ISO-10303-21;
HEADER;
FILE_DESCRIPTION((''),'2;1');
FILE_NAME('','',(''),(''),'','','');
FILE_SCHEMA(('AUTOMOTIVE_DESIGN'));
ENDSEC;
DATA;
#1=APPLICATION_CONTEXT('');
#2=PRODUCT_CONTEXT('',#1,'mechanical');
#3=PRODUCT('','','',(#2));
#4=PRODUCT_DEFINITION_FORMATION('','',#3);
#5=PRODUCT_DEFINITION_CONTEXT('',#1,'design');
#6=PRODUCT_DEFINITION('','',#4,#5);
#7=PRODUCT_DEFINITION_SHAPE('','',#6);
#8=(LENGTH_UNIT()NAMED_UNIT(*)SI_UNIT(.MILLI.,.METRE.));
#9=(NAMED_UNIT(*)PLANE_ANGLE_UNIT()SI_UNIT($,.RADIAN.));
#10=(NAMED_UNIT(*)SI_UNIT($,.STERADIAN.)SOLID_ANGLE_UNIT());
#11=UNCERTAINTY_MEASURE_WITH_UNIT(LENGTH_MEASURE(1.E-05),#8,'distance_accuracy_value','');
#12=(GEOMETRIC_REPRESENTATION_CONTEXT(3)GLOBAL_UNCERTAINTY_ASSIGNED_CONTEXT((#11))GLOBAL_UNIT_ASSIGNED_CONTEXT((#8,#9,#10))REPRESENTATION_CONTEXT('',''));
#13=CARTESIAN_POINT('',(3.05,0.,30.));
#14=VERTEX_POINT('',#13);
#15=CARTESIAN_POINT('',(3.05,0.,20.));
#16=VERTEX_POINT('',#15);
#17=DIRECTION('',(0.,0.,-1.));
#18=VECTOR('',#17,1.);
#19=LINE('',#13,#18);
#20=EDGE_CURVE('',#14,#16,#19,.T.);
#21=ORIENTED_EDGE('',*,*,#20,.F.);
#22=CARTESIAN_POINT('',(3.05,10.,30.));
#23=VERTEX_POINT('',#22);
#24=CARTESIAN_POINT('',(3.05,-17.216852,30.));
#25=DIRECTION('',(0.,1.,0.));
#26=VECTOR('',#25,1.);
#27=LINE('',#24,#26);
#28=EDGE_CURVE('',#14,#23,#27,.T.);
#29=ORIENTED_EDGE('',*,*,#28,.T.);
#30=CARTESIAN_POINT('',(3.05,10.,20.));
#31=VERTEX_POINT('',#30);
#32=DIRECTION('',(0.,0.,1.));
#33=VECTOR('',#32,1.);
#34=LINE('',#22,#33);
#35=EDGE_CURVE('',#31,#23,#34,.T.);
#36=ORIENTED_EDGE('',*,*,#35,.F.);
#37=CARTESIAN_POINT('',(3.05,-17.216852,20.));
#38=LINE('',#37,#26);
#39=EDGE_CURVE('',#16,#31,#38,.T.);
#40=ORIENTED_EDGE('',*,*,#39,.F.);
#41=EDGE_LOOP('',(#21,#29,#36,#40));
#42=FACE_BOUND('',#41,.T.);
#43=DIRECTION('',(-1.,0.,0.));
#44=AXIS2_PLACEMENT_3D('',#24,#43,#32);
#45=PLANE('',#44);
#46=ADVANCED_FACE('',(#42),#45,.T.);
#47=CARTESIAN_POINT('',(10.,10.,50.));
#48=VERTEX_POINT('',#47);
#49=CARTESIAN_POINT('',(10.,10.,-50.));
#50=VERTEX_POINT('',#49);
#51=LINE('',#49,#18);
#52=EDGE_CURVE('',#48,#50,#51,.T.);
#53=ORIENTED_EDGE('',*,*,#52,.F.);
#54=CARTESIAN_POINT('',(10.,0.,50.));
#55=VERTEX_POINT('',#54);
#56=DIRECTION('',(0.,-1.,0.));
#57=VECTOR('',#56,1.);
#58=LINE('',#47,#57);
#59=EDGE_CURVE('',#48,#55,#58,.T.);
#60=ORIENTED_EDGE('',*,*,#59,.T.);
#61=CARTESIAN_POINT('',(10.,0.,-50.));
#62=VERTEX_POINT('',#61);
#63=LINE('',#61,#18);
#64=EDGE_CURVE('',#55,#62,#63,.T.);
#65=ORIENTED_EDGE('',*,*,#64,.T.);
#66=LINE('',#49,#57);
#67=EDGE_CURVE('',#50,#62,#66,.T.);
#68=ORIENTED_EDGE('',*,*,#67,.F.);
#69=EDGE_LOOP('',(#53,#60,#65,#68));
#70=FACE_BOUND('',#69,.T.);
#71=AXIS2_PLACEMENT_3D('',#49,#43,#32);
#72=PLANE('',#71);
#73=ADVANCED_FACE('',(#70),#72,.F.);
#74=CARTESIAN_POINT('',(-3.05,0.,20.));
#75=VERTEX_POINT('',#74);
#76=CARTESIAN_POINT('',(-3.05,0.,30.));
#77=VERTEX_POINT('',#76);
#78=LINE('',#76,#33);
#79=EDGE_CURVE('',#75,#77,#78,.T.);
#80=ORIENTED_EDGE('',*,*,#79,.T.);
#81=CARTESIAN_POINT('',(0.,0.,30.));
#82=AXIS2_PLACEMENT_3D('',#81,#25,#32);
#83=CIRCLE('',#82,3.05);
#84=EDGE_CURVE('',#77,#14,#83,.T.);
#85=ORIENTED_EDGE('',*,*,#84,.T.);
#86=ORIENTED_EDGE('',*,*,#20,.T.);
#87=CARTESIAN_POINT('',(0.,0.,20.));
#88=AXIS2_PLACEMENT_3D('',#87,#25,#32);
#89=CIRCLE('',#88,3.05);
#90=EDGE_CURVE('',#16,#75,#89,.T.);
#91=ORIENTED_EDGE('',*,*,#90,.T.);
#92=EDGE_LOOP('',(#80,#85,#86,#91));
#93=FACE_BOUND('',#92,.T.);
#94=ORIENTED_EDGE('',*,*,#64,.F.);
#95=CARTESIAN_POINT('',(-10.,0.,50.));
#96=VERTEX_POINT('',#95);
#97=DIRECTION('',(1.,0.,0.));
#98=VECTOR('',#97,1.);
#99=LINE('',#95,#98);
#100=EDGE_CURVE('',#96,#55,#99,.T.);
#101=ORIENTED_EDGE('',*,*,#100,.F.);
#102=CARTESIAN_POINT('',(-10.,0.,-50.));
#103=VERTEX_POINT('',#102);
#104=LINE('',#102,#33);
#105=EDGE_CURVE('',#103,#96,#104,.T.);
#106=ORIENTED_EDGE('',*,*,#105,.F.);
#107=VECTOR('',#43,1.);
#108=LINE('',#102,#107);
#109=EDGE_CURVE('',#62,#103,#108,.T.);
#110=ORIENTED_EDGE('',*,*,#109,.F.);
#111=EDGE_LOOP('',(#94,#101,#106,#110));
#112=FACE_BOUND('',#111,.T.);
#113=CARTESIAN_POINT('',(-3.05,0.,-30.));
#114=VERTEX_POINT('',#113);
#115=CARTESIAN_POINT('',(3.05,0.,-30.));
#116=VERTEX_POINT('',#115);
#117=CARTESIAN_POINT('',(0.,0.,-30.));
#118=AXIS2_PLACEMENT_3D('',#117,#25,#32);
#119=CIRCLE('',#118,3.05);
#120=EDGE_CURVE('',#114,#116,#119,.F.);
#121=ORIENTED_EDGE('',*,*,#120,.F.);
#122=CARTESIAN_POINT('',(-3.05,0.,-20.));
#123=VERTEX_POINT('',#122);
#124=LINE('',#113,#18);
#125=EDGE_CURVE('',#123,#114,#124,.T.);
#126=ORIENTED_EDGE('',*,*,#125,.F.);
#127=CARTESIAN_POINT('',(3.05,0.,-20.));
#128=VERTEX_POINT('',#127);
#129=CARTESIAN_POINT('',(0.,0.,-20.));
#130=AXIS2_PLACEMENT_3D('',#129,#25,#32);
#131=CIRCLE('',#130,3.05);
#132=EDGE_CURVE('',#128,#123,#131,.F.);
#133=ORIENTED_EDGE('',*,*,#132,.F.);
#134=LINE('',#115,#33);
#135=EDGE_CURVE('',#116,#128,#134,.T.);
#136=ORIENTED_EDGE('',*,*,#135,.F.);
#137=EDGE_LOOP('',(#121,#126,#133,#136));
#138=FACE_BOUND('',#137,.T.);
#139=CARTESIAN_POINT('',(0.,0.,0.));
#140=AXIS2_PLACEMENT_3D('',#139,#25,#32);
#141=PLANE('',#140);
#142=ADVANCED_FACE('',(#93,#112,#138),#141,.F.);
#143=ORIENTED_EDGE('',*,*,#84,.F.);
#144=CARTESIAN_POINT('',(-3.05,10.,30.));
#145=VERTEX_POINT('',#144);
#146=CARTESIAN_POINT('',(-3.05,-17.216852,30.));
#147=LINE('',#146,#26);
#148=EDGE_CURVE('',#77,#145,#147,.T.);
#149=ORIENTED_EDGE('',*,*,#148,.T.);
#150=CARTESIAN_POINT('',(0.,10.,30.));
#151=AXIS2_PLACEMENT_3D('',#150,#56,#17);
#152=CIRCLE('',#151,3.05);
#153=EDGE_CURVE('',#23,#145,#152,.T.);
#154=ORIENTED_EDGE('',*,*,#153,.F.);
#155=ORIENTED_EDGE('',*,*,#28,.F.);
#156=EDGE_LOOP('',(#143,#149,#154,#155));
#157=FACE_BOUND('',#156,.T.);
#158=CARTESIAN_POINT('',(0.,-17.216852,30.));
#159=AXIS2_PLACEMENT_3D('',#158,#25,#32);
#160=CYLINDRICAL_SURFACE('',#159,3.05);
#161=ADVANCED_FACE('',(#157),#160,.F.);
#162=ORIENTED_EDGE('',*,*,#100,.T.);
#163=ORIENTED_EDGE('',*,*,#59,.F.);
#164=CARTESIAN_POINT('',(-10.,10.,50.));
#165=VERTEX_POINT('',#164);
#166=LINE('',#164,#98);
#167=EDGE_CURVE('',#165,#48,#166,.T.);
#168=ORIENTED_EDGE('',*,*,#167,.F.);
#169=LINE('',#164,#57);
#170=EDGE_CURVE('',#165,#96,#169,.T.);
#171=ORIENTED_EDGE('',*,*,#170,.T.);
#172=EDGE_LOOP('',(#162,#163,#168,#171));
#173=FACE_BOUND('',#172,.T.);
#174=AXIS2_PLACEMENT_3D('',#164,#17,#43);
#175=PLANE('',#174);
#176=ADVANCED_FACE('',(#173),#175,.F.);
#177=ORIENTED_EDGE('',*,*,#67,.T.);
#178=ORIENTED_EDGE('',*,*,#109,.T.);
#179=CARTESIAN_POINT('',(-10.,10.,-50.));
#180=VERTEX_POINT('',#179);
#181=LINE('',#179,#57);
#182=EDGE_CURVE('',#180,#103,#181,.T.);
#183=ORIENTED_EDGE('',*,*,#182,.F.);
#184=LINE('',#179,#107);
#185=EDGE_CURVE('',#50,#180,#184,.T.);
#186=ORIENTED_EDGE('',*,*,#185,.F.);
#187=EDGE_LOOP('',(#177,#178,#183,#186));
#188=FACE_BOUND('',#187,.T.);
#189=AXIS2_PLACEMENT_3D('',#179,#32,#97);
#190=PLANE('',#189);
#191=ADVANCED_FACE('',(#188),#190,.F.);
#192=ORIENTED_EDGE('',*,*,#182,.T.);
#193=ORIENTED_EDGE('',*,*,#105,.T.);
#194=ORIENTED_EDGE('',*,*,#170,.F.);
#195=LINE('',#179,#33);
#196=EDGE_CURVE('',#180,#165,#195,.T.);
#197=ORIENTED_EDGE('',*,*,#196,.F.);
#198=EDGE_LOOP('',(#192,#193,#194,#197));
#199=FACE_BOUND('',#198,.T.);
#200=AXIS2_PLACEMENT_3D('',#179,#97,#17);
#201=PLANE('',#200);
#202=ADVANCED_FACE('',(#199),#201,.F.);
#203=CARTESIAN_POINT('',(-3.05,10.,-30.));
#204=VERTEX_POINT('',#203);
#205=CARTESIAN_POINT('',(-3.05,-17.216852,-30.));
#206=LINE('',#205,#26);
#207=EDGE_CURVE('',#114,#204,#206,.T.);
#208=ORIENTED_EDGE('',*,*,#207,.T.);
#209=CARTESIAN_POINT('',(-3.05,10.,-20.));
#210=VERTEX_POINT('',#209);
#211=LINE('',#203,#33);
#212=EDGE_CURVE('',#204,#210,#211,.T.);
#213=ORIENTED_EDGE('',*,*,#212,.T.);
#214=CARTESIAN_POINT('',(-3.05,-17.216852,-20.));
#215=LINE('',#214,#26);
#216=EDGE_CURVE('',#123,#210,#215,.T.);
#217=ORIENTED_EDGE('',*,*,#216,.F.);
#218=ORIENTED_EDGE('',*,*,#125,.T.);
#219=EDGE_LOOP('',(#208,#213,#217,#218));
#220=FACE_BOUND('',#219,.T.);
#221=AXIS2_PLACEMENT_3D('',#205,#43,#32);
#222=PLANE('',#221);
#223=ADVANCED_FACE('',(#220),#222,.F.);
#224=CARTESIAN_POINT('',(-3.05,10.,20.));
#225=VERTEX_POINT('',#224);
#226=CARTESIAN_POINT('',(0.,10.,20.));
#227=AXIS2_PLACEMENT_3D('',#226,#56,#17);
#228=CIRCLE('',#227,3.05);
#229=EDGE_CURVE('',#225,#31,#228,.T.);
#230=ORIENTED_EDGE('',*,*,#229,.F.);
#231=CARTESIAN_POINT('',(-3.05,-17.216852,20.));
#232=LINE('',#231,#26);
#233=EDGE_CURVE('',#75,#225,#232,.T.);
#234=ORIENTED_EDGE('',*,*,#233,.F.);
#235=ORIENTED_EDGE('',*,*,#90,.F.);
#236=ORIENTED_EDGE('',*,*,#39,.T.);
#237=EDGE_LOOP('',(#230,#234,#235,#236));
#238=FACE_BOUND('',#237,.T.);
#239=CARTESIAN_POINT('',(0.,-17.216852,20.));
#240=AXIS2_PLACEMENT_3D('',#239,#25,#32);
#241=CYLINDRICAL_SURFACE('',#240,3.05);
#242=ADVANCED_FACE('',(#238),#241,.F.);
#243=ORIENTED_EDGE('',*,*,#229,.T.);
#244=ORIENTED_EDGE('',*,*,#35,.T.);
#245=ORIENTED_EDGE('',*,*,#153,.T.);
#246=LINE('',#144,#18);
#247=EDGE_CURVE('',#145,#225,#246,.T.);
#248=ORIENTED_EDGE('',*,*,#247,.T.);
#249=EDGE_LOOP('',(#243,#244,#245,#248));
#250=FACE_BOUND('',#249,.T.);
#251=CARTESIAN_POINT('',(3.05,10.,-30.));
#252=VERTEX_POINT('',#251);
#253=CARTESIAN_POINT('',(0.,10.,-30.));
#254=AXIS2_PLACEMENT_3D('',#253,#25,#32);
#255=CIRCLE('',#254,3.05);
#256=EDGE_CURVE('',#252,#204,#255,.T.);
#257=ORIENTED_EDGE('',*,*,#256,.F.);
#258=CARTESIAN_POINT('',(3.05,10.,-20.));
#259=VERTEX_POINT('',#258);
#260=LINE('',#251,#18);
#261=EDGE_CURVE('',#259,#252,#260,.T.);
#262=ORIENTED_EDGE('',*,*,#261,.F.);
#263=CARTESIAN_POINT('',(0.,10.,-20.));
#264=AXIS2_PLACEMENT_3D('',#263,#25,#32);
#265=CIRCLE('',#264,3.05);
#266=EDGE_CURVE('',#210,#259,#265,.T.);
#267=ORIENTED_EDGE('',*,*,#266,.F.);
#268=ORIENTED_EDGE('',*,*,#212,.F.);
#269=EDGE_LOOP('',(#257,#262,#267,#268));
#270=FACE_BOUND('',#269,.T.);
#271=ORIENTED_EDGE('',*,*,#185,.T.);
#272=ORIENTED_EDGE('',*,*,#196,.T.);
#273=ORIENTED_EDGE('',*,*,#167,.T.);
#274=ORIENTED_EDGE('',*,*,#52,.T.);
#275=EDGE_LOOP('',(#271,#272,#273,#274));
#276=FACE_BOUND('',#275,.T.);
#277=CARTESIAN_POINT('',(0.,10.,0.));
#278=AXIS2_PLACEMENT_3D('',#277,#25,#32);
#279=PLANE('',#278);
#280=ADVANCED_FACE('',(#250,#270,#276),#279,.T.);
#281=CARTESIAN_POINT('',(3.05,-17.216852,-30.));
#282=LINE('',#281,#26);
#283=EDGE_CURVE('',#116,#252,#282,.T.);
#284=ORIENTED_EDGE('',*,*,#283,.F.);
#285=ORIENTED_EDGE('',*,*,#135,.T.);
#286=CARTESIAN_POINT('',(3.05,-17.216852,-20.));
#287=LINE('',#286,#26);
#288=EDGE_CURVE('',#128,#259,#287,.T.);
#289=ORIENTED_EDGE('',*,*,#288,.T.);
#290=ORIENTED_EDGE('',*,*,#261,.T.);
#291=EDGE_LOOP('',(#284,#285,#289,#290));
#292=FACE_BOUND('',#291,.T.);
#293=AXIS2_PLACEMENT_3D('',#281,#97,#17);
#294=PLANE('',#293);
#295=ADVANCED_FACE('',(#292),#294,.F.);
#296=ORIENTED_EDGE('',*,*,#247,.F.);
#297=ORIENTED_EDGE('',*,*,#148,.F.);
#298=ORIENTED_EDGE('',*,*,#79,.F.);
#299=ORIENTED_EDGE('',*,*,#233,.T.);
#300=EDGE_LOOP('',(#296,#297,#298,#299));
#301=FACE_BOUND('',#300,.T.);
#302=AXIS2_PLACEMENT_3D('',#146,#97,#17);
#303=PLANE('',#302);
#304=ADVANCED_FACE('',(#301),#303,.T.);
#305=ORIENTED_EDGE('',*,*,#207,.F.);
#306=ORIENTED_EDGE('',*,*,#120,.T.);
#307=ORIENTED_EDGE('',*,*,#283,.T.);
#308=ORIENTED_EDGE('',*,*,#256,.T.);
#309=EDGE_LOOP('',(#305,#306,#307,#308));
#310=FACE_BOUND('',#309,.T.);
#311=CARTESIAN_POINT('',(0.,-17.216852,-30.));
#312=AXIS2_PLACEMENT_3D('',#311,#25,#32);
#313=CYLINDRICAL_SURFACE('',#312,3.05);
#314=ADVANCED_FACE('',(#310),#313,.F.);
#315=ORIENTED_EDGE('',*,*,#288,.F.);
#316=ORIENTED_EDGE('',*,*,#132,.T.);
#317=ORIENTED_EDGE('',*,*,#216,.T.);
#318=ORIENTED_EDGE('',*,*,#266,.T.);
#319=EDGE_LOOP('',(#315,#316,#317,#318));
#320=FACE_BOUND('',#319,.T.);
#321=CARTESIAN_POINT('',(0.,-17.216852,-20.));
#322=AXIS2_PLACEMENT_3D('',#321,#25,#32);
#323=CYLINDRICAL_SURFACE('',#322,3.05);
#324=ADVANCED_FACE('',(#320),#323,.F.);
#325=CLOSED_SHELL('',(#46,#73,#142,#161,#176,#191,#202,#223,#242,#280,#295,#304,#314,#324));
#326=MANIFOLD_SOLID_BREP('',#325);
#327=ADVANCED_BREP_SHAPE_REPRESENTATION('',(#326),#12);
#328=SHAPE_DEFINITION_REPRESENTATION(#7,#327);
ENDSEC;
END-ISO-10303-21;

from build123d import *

# Parameters (mm, degrees)
SKETCH1_W           = 20
SKETCH1_H           = 100
BOSS_EXTRUDE1_DEPTH = 10
CUT_EXTRUDE1_DEPTH  = 10


with BuildPart() as part:
    # Sketch1 → Boss-Extrude1 (new body)
    with BuildSketch(Plane(origin=(0, 0, 0), x_dir=(1, 0, 0), z_dir=(0, 1, 0))):
        Rectangle(SKETCH1_W, SKETCH1_H)
    extrude(amount=BOSS_EXTRUDE1_DEPTH)

    # Sketch2 → Cut-Extrude1 (cut)
    with BuildSketch(Plane(origin=(0, 10, 0), x_dir=(1, 0, 0), z_dir=(0, 1, 0))):
        with BuildLine():
            Line((3.05, 30), (3.05, 20))
            ThreePointArc((3.05, 20), (0, 16.95), (-3.05, 20))
            Line((-3.05, 20), (-3.05, 30))
            ThreePointArc((-3.05, 30), (0, 33.05), (3.05, 30))
        make_face()
    cut_extrude1 = extrude(amount=-CUT_EXTRUDE1_DEPTH, mode=Mode.SUBTRACT)

    # Mirror1: Cut-Extrude1 across plane
    add(cut_extrude1.mirror(Plane.XY), mode=Mode.SUBTRACT)


solid = part.part
